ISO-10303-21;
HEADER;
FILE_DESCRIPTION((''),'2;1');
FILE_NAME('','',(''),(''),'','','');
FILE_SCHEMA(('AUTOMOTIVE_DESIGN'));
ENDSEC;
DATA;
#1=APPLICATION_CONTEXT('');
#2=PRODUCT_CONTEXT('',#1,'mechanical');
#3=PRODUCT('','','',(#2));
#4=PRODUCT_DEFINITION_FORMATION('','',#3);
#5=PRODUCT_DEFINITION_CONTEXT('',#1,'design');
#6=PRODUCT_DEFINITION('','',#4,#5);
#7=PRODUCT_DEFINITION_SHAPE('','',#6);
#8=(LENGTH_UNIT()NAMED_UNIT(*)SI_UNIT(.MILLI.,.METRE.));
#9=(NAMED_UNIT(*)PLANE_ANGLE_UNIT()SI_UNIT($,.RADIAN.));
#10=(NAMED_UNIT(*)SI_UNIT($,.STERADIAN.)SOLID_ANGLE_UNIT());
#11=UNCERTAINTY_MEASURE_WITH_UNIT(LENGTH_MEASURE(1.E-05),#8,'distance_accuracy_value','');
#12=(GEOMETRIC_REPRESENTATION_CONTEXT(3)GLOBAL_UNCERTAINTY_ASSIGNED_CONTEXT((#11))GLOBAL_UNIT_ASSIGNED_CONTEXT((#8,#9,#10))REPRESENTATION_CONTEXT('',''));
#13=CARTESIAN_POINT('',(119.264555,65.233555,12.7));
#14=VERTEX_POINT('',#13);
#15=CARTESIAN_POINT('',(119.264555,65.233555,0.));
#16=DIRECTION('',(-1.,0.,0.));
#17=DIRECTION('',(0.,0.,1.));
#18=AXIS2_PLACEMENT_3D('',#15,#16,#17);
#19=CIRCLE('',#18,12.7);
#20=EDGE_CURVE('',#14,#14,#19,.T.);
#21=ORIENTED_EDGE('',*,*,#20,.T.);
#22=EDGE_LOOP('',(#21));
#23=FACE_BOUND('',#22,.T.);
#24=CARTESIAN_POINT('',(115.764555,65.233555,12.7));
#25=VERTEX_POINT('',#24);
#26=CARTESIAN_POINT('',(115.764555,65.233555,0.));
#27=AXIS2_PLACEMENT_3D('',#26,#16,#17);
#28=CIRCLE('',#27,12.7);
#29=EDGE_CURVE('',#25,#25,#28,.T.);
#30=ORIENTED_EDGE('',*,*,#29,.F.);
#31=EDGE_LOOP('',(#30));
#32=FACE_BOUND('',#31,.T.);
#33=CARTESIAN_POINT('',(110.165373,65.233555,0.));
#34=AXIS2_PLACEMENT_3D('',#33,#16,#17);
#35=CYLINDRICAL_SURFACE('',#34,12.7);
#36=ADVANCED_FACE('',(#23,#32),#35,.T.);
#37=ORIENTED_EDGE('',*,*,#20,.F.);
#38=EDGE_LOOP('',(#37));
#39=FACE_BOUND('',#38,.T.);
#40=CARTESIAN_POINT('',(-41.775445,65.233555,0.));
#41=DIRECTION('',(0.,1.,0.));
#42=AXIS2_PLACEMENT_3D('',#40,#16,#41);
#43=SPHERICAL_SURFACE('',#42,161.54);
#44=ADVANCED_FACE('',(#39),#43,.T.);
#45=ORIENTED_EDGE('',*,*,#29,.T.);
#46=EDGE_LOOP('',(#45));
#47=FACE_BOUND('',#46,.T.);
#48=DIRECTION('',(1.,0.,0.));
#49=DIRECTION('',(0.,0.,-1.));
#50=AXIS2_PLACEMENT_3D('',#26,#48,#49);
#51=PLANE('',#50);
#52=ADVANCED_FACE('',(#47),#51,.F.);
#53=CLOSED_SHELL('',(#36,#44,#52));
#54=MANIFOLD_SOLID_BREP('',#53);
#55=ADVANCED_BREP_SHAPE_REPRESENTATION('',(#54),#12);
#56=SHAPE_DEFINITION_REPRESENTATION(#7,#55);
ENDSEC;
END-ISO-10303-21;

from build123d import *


with BuildPart() as part:
    # 草图1 → 旋转1 (revolve)
    with BuildSketch(Plane.XY):
        with BuildLine():
            Line((115.764555476, 65.233554926), (115.764555476, 77.933554926))
            Line((115.764555476, 77.933554926), (119.264555476, 77.933554926))
            ThreePointArc((119.264555476, 77.933554926), (119.639507076, 71.588474281), (119.764555476, 65.233554926))
            Line((119.764555476, 65.233554926), (115.764555476, 65.233554926))
        make_face()
    revolve(axis=Axis((110.165373228, 65.233554926, 0), (1, 0, 0)))


solid = part.part
